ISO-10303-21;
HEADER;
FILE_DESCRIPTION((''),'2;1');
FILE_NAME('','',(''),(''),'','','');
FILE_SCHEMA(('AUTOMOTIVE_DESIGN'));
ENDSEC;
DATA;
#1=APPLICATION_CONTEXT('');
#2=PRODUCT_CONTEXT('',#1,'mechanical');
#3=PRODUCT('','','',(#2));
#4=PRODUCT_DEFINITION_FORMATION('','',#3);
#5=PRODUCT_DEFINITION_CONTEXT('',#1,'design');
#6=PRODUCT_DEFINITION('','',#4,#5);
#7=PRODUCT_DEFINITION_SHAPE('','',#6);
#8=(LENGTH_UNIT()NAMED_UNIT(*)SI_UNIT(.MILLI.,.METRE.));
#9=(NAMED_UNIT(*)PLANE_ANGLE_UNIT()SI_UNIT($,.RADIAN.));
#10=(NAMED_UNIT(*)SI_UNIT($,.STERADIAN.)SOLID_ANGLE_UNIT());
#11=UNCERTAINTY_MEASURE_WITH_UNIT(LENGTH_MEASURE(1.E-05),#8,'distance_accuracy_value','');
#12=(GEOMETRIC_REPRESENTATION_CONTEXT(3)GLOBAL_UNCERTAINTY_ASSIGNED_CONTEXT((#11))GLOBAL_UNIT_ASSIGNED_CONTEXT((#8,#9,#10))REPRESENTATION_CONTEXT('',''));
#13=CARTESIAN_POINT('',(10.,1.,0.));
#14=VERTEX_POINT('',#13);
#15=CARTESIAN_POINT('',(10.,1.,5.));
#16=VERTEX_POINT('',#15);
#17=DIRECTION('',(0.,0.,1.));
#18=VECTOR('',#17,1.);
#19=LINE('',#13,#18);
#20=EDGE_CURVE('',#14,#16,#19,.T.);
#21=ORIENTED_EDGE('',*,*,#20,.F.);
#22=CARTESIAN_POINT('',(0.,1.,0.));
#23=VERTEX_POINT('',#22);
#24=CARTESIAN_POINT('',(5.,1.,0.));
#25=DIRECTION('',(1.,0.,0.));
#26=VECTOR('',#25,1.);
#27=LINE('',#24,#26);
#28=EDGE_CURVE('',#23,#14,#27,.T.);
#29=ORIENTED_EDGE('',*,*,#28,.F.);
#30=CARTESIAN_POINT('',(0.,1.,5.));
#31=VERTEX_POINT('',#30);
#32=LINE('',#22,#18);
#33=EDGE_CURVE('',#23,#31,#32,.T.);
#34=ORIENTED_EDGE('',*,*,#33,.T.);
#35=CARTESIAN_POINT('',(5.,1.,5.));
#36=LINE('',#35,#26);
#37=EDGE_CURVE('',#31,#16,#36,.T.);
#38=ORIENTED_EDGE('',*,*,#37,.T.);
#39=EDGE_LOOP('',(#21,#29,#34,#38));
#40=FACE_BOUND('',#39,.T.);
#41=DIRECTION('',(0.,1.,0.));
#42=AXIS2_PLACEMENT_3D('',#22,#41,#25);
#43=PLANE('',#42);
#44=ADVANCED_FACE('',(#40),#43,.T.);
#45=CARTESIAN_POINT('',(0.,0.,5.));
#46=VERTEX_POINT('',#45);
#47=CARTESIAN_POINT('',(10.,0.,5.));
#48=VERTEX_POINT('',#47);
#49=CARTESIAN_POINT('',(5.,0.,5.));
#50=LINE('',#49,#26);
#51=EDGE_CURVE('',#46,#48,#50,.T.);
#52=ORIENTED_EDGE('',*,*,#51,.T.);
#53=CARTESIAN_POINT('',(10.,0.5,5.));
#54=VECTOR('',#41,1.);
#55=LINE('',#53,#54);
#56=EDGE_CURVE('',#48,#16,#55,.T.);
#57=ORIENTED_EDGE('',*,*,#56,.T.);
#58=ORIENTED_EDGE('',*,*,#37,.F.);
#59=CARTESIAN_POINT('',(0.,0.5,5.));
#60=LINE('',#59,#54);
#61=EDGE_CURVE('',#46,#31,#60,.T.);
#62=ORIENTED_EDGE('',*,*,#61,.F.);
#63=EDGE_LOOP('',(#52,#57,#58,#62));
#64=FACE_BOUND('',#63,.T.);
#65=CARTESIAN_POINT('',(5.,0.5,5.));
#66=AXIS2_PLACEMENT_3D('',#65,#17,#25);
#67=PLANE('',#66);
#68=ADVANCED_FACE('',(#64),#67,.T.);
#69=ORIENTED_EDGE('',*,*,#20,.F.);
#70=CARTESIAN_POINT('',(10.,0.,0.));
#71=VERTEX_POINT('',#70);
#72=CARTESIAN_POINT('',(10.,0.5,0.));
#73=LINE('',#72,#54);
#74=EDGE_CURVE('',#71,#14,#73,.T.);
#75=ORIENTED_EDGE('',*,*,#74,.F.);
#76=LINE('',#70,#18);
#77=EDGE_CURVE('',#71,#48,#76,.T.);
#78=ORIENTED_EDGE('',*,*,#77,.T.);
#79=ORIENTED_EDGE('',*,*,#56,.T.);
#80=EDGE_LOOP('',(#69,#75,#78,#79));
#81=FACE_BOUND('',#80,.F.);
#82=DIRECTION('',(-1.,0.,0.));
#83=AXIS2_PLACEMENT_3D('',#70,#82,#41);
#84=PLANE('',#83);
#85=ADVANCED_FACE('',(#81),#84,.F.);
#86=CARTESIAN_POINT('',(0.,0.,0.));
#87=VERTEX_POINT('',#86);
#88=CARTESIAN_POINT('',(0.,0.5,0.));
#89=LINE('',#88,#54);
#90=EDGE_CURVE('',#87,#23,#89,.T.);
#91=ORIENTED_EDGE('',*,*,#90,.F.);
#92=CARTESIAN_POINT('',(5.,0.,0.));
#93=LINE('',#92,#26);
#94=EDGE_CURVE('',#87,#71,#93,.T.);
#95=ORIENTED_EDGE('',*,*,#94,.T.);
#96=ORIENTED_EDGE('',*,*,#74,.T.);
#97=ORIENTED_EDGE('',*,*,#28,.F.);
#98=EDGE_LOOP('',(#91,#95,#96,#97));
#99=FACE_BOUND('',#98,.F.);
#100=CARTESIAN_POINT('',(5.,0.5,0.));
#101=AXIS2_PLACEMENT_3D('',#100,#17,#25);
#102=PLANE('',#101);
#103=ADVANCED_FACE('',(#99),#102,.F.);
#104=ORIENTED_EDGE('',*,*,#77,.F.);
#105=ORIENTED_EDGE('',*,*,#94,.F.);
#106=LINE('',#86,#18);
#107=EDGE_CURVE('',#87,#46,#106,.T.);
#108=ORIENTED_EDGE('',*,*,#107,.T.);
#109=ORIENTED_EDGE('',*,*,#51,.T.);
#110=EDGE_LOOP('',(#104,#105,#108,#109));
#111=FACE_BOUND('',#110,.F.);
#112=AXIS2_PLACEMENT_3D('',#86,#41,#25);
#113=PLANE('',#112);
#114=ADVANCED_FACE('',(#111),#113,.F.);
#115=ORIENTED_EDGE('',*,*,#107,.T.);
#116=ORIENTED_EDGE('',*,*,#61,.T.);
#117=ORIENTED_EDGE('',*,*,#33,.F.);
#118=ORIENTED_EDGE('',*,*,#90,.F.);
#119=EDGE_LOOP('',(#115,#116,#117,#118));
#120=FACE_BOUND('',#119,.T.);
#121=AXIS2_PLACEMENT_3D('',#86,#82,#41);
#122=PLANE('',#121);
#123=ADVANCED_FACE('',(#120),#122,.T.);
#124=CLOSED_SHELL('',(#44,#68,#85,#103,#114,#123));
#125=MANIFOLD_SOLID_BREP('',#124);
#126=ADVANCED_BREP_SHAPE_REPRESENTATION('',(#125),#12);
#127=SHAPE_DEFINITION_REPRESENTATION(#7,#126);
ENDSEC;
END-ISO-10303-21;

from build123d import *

# Parameters (mm, degrees)
BOX_W     = 10
BOX_H     = 1
BOX_DEPTH = 5


with BuildPart() as part:
    # Box → Box (new body)
    with BuildSketch(Plane.XY):
        with Locations((5, 0.5)):
            Rectangle(BOX_W, BOX_H)
    extrude(amount=BOX_DEPTH)


solid = part.part
